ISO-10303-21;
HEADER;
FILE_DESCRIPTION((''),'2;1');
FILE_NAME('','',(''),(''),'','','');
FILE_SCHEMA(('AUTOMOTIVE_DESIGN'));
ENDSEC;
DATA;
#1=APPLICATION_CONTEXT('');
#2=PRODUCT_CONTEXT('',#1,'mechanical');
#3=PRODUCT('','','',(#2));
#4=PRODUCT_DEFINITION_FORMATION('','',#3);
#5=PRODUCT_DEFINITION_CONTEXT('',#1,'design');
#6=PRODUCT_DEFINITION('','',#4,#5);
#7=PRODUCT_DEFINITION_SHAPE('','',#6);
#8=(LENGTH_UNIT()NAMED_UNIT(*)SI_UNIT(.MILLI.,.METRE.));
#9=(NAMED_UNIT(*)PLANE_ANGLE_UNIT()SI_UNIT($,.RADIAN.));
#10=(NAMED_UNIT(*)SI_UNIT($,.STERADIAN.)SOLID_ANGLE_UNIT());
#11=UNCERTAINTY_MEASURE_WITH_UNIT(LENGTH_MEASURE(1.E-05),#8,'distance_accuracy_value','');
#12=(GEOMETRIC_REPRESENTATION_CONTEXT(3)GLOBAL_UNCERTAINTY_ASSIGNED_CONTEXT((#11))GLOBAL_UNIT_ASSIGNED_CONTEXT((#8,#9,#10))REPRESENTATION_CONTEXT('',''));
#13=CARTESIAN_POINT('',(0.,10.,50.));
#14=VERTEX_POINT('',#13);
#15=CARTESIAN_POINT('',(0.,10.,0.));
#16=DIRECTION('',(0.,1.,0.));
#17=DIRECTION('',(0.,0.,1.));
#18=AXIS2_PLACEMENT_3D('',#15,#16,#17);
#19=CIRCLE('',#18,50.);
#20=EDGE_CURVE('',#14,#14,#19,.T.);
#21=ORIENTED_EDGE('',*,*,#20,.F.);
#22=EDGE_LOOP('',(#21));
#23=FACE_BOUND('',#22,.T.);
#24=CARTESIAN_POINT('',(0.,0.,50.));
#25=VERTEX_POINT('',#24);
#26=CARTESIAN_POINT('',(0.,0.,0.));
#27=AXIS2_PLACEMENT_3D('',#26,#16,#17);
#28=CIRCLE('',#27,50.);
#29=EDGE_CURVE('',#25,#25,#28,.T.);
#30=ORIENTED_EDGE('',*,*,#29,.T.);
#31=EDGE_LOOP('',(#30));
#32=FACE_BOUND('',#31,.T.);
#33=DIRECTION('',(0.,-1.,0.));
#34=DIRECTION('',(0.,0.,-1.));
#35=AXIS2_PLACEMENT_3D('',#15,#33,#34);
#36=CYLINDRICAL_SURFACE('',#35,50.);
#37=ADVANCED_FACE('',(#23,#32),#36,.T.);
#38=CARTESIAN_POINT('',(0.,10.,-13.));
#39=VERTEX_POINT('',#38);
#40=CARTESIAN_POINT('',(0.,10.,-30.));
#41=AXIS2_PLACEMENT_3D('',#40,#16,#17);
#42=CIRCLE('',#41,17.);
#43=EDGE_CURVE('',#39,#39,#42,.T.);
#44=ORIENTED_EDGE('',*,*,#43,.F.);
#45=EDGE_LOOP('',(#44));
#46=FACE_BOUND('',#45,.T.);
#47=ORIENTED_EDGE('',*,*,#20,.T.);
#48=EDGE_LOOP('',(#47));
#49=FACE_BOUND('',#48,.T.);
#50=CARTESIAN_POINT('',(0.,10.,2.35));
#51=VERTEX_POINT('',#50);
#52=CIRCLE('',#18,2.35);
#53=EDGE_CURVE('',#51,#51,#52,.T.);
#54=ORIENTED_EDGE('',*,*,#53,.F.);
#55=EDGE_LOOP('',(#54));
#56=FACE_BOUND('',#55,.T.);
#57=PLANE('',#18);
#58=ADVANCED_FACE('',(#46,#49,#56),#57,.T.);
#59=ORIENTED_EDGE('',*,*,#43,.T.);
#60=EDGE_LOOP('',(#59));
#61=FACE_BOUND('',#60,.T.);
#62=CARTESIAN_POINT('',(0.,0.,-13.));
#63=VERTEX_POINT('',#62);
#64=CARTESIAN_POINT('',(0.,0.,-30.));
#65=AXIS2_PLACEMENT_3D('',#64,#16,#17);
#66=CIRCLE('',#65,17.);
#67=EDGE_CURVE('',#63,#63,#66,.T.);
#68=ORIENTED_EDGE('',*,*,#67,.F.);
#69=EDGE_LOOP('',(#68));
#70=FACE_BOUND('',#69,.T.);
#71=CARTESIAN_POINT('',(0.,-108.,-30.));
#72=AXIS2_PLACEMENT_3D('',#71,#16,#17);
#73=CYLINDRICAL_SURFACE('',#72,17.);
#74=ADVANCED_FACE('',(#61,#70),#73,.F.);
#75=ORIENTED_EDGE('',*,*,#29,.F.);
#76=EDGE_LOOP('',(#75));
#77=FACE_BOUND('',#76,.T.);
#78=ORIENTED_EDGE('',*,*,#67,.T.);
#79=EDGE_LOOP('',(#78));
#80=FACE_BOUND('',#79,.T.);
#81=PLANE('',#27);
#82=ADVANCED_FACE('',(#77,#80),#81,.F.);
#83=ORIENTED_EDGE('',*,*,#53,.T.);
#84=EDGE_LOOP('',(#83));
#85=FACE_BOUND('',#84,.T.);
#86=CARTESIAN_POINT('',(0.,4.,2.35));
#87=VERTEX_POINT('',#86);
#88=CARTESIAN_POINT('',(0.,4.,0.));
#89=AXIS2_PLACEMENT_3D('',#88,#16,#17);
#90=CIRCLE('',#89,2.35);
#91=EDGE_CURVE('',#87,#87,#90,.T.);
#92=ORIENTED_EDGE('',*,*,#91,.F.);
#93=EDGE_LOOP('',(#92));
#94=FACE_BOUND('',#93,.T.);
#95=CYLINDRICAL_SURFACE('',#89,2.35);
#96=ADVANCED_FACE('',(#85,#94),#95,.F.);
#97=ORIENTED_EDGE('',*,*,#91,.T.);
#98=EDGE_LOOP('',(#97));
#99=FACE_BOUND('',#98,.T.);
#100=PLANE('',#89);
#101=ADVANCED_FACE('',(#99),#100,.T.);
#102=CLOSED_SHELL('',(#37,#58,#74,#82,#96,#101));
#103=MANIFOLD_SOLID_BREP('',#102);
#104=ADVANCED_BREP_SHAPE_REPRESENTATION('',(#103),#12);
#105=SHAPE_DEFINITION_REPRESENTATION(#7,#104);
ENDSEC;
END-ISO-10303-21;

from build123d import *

# Parameters (mm, degrees)
SKETCH2_R           = 50
BOSS_EXTRUDE2_DEPTH = 10
SKETCH3_R           = 17
CUT_EXTRUDE1_DEPTH  = 118
SKETCH5_R           = 2.35
CUT_EXTRUDE2_DEPTH  = 6


with BuildPart() as part:
    # Sketch2 → Boss-Extrude2 (new body)
    with BuildSketch(Plane(origin=(0, 0, 0), x_dir=(1, 0, 0), z_dir=(0, 1, 0))):
        with Locations(Location((0, 0, 0), (0, 0, 270))):
            Circle(SKETCH2_R)
    extrude(amount=BOSS_EXTRUDE2_DEPTH)

    # Sketch3 → Cut-Extrude1 (cut)
    with BuildSketch(Plane(origin=(0, 10, 0), x_dir=(1, 0, 0), z_dir=(0, 1, 0))):
        with Locations(Location((0, 30, 0), (0, 0, 270))):
            Circle(SKETCH3_R)
    extrude(amount=-CUT_EXTRUDE1_DEPTH, mode=Mode.SUBTRACT)

    # Sketch5 → Cut-Extrude2 (cut)
    with BuildSketch(Plane(origin=(0, 10, 0), x_dir=(1, 0, 0), z_dir=(0, 1, 0))):
        with Locations(Location((0, 0, 0), (0, 0, 270))):
            Circle(SKETCH5_R)
    extrude(amount=-CUT_EXTRUDE2_DEPTH, mode=Mode.SUBTRACT)


solid = part.part
